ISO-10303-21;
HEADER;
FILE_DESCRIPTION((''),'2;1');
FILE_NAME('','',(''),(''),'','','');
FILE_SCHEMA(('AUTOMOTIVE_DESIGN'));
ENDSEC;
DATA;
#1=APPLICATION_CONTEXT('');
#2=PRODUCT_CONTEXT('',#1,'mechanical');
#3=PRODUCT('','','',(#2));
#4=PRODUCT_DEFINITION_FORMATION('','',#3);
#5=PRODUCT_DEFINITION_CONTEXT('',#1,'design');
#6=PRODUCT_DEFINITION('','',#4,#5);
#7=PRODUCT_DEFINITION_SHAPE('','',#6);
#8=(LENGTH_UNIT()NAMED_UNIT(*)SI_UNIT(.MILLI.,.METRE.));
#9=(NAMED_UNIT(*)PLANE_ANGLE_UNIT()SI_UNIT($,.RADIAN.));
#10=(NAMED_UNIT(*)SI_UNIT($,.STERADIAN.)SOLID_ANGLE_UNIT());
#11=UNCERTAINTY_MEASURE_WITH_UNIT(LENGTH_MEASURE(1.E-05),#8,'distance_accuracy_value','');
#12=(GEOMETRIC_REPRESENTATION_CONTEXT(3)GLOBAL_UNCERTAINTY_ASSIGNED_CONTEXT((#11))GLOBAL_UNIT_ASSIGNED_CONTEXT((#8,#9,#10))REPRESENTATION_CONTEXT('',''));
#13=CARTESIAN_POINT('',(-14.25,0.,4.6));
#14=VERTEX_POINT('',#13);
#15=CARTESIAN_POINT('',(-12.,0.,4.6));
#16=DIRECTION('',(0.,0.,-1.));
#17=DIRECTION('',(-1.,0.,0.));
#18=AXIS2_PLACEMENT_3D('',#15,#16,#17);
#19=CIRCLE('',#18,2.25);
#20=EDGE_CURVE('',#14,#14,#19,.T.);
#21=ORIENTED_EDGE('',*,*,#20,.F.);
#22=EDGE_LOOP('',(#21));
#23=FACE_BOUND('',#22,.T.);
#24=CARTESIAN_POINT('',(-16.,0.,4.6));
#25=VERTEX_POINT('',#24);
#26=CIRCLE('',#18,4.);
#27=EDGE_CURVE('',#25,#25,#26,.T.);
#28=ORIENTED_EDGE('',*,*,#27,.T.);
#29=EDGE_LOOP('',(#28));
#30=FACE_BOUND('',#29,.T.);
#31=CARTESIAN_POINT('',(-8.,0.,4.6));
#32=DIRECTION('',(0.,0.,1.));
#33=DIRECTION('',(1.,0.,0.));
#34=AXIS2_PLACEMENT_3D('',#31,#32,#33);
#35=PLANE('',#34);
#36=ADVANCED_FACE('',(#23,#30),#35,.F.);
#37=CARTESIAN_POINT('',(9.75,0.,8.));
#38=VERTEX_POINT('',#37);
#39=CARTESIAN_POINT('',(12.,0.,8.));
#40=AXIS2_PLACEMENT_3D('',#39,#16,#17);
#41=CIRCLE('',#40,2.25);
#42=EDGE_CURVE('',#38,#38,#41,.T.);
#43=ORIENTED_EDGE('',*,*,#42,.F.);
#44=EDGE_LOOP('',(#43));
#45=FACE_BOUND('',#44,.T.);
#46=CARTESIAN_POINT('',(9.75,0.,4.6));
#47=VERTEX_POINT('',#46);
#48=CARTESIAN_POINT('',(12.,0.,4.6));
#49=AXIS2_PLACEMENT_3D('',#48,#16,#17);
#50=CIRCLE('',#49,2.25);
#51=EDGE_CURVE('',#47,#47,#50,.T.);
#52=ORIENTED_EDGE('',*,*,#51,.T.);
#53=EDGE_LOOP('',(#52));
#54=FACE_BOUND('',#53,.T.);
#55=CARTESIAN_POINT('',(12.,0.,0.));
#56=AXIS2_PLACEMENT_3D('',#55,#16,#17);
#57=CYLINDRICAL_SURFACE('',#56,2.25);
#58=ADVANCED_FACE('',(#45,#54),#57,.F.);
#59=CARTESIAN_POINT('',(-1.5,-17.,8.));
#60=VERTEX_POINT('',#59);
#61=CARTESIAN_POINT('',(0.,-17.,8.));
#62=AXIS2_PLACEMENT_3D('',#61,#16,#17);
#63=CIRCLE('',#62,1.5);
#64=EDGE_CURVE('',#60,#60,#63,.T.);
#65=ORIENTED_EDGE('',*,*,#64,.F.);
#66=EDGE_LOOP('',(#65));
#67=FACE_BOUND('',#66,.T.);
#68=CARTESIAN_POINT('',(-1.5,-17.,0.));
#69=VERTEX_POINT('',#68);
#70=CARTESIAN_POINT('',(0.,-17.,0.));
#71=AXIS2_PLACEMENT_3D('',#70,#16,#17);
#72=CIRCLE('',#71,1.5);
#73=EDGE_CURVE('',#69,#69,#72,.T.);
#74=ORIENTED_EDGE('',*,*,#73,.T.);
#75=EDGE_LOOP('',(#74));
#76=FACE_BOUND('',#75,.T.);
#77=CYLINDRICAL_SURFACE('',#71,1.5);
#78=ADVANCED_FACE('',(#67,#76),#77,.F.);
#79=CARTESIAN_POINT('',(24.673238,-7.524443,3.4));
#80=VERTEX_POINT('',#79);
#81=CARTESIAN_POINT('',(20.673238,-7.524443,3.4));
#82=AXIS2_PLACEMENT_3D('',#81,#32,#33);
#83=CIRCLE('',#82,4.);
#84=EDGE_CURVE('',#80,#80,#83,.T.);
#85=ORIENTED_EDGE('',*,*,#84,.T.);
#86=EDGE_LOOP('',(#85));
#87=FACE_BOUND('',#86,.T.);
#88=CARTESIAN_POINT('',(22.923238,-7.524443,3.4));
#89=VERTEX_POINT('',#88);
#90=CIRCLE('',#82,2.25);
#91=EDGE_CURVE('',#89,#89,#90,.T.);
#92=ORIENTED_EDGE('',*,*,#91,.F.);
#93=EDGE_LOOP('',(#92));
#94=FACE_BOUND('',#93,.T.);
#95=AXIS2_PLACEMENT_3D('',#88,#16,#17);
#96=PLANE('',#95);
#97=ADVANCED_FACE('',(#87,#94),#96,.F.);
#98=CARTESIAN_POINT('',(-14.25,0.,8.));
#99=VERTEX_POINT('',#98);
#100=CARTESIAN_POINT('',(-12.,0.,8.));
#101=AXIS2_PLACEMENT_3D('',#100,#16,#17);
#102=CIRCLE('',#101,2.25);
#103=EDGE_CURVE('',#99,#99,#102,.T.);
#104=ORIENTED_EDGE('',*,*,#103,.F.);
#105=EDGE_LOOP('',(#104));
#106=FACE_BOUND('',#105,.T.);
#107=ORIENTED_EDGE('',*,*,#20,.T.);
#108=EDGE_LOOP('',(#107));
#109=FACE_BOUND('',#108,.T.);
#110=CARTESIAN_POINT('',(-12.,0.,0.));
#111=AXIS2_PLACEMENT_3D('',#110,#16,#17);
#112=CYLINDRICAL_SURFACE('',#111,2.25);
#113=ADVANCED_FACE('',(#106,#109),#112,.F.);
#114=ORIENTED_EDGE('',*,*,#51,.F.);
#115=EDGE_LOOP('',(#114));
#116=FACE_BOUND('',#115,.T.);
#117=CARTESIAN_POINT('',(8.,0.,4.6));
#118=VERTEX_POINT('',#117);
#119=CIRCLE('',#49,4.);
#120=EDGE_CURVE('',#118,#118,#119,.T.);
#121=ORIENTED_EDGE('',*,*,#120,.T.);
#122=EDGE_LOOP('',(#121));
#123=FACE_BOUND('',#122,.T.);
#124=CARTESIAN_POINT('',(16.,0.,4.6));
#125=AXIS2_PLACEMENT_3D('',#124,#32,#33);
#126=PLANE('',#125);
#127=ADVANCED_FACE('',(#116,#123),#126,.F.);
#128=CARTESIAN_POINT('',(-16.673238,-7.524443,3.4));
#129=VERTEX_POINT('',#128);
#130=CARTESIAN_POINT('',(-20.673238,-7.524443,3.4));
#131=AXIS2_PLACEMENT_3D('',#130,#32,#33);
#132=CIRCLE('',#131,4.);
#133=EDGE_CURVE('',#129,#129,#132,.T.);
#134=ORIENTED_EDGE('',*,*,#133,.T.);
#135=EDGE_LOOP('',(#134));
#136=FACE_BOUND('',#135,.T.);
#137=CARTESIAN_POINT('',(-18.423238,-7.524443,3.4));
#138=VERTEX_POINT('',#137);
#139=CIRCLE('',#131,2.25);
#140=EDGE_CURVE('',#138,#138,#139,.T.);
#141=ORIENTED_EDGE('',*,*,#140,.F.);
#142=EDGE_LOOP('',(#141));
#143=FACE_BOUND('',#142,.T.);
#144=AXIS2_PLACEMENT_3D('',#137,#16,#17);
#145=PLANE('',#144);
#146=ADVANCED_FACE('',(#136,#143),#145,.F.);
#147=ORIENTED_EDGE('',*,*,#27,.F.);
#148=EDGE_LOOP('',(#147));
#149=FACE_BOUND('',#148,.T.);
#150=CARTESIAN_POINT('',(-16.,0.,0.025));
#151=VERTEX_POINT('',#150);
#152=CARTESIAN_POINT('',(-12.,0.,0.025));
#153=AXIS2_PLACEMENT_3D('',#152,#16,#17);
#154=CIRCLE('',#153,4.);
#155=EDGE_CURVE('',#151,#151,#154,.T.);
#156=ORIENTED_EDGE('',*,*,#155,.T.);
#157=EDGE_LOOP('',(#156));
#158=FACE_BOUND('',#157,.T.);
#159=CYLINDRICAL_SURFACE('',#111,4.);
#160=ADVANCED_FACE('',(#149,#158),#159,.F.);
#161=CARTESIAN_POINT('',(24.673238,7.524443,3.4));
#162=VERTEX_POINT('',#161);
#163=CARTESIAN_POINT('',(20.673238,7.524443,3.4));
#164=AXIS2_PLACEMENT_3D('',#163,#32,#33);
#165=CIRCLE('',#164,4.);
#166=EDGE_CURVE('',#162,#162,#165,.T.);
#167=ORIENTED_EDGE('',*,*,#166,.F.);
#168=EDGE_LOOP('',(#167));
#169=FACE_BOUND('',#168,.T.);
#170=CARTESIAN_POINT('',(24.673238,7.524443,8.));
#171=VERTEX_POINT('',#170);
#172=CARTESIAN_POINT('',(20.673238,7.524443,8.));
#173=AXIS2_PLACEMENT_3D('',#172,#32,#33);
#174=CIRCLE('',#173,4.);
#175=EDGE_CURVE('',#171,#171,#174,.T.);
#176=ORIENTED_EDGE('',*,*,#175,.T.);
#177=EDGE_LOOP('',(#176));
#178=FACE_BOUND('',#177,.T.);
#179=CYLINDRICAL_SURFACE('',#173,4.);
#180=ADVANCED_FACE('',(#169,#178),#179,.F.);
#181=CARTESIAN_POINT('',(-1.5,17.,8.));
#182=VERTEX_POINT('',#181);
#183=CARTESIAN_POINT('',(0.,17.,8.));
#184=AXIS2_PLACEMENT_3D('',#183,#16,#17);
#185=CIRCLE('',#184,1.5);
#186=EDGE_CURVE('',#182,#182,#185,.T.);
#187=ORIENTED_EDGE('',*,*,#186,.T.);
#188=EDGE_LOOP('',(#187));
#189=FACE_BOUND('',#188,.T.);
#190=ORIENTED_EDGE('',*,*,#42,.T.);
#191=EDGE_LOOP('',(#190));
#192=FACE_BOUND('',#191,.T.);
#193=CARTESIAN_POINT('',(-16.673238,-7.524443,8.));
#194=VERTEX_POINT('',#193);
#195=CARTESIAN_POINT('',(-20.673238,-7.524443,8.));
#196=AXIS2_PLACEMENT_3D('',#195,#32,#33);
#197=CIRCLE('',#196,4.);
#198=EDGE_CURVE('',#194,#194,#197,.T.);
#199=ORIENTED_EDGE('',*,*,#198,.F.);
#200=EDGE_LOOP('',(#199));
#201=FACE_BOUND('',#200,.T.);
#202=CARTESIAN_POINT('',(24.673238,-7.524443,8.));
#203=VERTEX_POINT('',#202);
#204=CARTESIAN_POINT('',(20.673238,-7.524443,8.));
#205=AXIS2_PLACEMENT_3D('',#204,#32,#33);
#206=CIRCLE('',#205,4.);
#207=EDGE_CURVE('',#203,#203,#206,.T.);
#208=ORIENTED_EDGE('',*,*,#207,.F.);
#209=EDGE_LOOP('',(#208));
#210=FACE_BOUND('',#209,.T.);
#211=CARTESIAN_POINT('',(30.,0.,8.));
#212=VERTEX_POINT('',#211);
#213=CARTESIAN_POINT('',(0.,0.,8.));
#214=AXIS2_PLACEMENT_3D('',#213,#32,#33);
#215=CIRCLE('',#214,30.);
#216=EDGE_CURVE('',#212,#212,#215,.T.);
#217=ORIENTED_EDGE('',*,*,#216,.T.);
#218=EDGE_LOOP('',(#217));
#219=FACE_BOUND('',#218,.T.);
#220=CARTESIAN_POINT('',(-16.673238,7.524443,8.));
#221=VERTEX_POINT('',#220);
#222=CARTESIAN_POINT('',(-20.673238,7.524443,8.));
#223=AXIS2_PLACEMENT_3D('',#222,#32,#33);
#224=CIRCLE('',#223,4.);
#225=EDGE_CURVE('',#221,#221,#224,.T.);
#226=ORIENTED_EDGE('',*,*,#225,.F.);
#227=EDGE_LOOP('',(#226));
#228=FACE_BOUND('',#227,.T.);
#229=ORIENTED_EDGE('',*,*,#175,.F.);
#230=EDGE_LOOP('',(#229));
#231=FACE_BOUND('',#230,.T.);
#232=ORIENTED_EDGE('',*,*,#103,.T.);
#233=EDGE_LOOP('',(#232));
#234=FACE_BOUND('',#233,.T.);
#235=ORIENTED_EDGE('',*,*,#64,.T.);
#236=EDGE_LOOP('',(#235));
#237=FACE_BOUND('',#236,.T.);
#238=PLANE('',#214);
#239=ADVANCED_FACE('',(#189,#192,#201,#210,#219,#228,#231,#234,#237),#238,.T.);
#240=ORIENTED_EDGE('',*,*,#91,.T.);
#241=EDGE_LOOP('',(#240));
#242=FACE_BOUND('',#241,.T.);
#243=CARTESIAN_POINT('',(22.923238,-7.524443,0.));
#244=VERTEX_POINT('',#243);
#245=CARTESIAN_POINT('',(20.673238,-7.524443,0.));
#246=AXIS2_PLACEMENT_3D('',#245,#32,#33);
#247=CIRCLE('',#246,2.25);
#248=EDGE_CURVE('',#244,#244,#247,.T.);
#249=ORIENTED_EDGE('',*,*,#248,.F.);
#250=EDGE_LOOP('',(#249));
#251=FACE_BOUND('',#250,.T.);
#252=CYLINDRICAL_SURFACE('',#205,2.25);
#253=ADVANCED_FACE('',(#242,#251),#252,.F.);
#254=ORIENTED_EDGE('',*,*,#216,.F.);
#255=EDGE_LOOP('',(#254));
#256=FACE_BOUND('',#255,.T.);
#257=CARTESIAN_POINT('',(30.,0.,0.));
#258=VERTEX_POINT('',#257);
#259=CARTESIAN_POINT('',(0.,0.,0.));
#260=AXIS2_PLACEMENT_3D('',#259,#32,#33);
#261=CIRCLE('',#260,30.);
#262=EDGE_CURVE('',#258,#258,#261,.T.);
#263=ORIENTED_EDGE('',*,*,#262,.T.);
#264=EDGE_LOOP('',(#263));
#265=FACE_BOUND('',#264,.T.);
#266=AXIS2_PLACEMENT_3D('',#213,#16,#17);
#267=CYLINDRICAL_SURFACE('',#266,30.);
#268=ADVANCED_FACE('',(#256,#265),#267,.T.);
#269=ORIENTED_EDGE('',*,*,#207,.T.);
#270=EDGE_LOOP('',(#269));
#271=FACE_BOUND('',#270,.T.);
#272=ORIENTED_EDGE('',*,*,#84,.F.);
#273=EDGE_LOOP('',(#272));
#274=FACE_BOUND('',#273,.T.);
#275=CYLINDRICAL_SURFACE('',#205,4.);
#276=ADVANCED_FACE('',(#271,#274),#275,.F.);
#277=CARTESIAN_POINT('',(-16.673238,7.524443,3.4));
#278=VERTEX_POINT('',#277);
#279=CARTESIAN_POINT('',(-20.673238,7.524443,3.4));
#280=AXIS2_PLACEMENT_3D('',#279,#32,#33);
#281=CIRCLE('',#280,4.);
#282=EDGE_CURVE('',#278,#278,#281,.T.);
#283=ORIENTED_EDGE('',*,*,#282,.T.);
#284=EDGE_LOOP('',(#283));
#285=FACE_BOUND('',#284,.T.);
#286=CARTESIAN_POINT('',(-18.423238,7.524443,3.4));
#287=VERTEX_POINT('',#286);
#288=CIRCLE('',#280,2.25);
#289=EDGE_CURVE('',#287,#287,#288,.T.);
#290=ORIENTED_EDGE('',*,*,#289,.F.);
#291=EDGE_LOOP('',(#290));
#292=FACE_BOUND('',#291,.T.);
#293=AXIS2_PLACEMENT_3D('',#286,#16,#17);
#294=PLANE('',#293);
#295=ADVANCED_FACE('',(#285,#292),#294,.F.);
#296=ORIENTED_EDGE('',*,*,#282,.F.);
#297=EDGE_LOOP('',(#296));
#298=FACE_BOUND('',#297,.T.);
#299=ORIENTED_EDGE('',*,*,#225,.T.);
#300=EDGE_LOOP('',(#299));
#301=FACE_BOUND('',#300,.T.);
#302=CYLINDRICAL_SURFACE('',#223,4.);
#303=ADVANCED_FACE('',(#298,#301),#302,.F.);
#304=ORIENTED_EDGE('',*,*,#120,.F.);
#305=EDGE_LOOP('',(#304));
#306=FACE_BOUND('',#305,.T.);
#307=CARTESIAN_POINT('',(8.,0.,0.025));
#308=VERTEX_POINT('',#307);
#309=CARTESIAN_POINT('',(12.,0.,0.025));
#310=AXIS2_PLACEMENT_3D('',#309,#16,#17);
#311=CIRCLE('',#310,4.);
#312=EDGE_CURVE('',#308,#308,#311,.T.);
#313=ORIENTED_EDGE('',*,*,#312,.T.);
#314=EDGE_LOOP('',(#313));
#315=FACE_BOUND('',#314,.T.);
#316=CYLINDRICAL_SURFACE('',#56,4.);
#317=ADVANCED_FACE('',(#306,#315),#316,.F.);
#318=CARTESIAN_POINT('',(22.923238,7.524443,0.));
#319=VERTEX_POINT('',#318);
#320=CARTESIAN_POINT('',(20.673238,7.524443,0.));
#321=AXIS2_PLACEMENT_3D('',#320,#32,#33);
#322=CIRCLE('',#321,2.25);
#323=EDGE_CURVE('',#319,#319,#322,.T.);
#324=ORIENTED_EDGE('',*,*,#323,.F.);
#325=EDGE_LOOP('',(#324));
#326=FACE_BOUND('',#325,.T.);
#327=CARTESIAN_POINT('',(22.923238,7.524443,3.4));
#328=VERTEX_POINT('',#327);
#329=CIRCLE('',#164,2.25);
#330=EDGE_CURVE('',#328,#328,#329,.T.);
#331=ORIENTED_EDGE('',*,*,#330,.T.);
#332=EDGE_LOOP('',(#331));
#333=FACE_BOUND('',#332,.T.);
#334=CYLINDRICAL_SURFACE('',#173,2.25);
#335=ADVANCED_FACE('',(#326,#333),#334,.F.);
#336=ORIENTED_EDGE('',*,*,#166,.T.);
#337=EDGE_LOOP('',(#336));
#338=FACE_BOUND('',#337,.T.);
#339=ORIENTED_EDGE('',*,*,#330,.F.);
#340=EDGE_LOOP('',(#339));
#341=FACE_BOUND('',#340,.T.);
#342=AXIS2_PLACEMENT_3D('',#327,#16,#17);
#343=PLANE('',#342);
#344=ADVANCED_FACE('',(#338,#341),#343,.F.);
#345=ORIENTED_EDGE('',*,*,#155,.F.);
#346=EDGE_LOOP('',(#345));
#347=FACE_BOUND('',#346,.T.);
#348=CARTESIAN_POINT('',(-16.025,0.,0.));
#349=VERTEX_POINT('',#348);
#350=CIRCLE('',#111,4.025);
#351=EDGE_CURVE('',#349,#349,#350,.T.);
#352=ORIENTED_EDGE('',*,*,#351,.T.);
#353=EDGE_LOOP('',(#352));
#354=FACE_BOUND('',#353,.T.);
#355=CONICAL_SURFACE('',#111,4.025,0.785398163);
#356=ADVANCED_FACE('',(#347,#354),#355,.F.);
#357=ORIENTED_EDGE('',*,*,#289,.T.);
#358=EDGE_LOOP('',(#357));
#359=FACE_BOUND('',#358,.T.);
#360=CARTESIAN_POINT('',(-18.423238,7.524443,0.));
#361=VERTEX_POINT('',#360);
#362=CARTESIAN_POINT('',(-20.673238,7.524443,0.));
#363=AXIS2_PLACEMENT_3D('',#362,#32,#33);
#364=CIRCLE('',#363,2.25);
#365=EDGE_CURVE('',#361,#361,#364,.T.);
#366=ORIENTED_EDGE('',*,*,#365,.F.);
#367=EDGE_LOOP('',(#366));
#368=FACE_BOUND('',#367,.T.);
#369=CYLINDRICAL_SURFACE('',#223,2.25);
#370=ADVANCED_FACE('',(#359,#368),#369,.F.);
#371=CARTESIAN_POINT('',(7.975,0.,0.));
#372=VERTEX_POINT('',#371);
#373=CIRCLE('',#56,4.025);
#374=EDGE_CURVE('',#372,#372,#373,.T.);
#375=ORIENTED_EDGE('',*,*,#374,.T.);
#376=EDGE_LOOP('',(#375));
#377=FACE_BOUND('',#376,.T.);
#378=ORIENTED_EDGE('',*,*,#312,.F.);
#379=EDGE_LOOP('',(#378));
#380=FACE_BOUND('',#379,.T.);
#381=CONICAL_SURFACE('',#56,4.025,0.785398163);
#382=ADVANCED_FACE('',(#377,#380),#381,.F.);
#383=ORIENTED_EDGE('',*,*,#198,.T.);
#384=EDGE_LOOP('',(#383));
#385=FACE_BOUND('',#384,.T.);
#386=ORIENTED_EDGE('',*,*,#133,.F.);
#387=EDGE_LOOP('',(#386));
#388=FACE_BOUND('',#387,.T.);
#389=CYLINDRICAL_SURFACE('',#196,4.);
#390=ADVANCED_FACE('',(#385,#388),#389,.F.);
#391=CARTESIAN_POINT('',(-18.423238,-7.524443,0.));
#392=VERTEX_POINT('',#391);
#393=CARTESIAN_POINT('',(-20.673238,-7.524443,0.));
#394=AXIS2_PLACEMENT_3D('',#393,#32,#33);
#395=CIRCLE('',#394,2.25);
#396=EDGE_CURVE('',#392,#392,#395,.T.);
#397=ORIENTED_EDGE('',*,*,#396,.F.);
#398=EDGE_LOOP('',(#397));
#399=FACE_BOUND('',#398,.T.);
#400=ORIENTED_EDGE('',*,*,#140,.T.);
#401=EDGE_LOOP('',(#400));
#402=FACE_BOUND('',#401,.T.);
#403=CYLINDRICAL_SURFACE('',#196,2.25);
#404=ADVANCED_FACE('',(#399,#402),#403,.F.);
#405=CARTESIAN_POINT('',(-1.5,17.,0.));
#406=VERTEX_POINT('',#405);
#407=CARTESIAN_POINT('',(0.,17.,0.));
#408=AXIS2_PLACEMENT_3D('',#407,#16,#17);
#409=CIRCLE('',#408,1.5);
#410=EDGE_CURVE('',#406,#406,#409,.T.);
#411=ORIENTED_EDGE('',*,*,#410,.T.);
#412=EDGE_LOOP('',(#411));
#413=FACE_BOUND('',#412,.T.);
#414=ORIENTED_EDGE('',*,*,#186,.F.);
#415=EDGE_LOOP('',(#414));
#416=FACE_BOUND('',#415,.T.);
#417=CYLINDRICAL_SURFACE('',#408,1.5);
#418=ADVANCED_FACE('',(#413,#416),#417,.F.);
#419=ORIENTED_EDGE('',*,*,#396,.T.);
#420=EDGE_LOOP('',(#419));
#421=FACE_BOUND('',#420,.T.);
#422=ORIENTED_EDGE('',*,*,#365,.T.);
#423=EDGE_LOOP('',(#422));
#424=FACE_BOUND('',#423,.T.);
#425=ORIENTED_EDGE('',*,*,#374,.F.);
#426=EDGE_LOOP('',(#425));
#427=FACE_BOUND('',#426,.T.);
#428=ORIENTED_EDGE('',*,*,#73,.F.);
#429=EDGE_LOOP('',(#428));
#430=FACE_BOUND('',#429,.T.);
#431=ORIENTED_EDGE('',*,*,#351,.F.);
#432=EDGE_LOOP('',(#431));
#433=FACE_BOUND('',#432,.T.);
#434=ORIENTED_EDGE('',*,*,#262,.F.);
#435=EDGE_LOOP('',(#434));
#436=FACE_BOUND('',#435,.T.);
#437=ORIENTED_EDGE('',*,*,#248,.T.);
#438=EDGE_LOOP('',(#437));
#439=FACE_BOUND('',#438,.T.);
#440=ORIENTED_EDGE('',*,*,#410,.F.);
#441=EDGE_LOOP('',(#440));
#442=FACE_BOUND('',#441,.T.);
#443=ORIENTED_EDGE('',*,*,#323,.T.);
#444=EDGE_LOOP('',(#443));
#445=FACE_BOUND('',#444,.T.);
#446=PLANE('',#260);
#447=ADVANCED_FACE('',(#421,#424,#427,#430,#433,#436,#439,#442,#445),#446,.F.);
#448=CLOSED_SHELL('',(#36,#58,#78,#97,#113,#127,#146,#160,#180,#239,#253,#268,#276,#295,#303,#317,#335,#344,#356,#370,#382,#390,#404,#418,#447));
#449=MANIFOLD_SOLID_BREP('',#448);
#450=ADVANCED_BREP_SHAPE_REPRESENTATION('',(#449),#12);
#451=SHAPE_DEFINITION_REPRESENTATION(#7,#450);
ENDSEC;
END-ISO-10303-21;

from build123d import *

# Parameters (mm, degrees)
SKETCH_1_R                = 30
EXTRUDE_1_DEPTH           = 8
HOLE_WIZARD_2_AT_2_COUNT  = 2
HOLE_WIZARD_2_AT_2_PITCH  = 24
MM_1_D                    = 3
HOLE_WIZARD_3_D           = 4.5
HOLE_WIZARD_3_CBORE_D     = 8
HOLE_WIZARD_3_CBORE_DEPTH = 4.6


with BuildPart() as part:
    # 草图1 → 凸台-拉伸1 (new body)
    with BuildSketch(Plane.XY):
        Circle(SKETCH_1_R)
    extrude(amount=EXTRUDE_1_DEPTH)

    # 草图10 → 打孔尺寸(%根据)内六角圆柱头螺钉的类型2 (revolve, cut)
    with BuildSketch(Plane.YZ.offset(12)):
        Polygon((0, 0), (0, 8), (2.25, 8), (2.25, 4.6), (4, 4.6), (4, 0.025), (4.025, 0), align=None)
    hole_wizard_2 = revolve(axis=Axis((12, 0, -6.35), (0, 0, 1)), mode=Mode.SUBTRACT)

    # 打孔尺寸(%根据)内六角圆柱头螺钉的类型2 at 2: 打孔尺寸(%根据)内六角圆柱头螺钉的类型2 ×2
    with Locations(*[(-i * HOLE_WIZARD_2_AT_2_PITCH, 0, 0) for i in range(1, HOLE_WIZARD_2_AT_2_COUNT)]):
        add(hole_wizard_2, mode=Mode.SUBTRACT)

    # 大小mm 暗销孔1 (through all)
    with Locations(Plane(origin=(0, 0, 0), x_dir=(-1, 0, 0), z_dir=(0, 0, -1))):
        with Locations((0, -17), (0, 17)):
            Hole(MM_1_D / 2)

    # 打孔尺寸(%根据)内六角圆柱头螺钉的类型3 (through all)
    with Locations(Plane.XY.offset(8)):
        with Locations((-20.673237657, 7.524443153), (-20.673237657, -7.524443153), (20.673237657, 7.524443153), (20.673237657, -7.524443153)):
            CounterBoreHole(HOLE_WIZARD_3_D / 2, HOLE_WIZARD_3_CBORE_D / 2, HOLE_WIZARD_3_CBORE_DEPTH)


solid = part.part
